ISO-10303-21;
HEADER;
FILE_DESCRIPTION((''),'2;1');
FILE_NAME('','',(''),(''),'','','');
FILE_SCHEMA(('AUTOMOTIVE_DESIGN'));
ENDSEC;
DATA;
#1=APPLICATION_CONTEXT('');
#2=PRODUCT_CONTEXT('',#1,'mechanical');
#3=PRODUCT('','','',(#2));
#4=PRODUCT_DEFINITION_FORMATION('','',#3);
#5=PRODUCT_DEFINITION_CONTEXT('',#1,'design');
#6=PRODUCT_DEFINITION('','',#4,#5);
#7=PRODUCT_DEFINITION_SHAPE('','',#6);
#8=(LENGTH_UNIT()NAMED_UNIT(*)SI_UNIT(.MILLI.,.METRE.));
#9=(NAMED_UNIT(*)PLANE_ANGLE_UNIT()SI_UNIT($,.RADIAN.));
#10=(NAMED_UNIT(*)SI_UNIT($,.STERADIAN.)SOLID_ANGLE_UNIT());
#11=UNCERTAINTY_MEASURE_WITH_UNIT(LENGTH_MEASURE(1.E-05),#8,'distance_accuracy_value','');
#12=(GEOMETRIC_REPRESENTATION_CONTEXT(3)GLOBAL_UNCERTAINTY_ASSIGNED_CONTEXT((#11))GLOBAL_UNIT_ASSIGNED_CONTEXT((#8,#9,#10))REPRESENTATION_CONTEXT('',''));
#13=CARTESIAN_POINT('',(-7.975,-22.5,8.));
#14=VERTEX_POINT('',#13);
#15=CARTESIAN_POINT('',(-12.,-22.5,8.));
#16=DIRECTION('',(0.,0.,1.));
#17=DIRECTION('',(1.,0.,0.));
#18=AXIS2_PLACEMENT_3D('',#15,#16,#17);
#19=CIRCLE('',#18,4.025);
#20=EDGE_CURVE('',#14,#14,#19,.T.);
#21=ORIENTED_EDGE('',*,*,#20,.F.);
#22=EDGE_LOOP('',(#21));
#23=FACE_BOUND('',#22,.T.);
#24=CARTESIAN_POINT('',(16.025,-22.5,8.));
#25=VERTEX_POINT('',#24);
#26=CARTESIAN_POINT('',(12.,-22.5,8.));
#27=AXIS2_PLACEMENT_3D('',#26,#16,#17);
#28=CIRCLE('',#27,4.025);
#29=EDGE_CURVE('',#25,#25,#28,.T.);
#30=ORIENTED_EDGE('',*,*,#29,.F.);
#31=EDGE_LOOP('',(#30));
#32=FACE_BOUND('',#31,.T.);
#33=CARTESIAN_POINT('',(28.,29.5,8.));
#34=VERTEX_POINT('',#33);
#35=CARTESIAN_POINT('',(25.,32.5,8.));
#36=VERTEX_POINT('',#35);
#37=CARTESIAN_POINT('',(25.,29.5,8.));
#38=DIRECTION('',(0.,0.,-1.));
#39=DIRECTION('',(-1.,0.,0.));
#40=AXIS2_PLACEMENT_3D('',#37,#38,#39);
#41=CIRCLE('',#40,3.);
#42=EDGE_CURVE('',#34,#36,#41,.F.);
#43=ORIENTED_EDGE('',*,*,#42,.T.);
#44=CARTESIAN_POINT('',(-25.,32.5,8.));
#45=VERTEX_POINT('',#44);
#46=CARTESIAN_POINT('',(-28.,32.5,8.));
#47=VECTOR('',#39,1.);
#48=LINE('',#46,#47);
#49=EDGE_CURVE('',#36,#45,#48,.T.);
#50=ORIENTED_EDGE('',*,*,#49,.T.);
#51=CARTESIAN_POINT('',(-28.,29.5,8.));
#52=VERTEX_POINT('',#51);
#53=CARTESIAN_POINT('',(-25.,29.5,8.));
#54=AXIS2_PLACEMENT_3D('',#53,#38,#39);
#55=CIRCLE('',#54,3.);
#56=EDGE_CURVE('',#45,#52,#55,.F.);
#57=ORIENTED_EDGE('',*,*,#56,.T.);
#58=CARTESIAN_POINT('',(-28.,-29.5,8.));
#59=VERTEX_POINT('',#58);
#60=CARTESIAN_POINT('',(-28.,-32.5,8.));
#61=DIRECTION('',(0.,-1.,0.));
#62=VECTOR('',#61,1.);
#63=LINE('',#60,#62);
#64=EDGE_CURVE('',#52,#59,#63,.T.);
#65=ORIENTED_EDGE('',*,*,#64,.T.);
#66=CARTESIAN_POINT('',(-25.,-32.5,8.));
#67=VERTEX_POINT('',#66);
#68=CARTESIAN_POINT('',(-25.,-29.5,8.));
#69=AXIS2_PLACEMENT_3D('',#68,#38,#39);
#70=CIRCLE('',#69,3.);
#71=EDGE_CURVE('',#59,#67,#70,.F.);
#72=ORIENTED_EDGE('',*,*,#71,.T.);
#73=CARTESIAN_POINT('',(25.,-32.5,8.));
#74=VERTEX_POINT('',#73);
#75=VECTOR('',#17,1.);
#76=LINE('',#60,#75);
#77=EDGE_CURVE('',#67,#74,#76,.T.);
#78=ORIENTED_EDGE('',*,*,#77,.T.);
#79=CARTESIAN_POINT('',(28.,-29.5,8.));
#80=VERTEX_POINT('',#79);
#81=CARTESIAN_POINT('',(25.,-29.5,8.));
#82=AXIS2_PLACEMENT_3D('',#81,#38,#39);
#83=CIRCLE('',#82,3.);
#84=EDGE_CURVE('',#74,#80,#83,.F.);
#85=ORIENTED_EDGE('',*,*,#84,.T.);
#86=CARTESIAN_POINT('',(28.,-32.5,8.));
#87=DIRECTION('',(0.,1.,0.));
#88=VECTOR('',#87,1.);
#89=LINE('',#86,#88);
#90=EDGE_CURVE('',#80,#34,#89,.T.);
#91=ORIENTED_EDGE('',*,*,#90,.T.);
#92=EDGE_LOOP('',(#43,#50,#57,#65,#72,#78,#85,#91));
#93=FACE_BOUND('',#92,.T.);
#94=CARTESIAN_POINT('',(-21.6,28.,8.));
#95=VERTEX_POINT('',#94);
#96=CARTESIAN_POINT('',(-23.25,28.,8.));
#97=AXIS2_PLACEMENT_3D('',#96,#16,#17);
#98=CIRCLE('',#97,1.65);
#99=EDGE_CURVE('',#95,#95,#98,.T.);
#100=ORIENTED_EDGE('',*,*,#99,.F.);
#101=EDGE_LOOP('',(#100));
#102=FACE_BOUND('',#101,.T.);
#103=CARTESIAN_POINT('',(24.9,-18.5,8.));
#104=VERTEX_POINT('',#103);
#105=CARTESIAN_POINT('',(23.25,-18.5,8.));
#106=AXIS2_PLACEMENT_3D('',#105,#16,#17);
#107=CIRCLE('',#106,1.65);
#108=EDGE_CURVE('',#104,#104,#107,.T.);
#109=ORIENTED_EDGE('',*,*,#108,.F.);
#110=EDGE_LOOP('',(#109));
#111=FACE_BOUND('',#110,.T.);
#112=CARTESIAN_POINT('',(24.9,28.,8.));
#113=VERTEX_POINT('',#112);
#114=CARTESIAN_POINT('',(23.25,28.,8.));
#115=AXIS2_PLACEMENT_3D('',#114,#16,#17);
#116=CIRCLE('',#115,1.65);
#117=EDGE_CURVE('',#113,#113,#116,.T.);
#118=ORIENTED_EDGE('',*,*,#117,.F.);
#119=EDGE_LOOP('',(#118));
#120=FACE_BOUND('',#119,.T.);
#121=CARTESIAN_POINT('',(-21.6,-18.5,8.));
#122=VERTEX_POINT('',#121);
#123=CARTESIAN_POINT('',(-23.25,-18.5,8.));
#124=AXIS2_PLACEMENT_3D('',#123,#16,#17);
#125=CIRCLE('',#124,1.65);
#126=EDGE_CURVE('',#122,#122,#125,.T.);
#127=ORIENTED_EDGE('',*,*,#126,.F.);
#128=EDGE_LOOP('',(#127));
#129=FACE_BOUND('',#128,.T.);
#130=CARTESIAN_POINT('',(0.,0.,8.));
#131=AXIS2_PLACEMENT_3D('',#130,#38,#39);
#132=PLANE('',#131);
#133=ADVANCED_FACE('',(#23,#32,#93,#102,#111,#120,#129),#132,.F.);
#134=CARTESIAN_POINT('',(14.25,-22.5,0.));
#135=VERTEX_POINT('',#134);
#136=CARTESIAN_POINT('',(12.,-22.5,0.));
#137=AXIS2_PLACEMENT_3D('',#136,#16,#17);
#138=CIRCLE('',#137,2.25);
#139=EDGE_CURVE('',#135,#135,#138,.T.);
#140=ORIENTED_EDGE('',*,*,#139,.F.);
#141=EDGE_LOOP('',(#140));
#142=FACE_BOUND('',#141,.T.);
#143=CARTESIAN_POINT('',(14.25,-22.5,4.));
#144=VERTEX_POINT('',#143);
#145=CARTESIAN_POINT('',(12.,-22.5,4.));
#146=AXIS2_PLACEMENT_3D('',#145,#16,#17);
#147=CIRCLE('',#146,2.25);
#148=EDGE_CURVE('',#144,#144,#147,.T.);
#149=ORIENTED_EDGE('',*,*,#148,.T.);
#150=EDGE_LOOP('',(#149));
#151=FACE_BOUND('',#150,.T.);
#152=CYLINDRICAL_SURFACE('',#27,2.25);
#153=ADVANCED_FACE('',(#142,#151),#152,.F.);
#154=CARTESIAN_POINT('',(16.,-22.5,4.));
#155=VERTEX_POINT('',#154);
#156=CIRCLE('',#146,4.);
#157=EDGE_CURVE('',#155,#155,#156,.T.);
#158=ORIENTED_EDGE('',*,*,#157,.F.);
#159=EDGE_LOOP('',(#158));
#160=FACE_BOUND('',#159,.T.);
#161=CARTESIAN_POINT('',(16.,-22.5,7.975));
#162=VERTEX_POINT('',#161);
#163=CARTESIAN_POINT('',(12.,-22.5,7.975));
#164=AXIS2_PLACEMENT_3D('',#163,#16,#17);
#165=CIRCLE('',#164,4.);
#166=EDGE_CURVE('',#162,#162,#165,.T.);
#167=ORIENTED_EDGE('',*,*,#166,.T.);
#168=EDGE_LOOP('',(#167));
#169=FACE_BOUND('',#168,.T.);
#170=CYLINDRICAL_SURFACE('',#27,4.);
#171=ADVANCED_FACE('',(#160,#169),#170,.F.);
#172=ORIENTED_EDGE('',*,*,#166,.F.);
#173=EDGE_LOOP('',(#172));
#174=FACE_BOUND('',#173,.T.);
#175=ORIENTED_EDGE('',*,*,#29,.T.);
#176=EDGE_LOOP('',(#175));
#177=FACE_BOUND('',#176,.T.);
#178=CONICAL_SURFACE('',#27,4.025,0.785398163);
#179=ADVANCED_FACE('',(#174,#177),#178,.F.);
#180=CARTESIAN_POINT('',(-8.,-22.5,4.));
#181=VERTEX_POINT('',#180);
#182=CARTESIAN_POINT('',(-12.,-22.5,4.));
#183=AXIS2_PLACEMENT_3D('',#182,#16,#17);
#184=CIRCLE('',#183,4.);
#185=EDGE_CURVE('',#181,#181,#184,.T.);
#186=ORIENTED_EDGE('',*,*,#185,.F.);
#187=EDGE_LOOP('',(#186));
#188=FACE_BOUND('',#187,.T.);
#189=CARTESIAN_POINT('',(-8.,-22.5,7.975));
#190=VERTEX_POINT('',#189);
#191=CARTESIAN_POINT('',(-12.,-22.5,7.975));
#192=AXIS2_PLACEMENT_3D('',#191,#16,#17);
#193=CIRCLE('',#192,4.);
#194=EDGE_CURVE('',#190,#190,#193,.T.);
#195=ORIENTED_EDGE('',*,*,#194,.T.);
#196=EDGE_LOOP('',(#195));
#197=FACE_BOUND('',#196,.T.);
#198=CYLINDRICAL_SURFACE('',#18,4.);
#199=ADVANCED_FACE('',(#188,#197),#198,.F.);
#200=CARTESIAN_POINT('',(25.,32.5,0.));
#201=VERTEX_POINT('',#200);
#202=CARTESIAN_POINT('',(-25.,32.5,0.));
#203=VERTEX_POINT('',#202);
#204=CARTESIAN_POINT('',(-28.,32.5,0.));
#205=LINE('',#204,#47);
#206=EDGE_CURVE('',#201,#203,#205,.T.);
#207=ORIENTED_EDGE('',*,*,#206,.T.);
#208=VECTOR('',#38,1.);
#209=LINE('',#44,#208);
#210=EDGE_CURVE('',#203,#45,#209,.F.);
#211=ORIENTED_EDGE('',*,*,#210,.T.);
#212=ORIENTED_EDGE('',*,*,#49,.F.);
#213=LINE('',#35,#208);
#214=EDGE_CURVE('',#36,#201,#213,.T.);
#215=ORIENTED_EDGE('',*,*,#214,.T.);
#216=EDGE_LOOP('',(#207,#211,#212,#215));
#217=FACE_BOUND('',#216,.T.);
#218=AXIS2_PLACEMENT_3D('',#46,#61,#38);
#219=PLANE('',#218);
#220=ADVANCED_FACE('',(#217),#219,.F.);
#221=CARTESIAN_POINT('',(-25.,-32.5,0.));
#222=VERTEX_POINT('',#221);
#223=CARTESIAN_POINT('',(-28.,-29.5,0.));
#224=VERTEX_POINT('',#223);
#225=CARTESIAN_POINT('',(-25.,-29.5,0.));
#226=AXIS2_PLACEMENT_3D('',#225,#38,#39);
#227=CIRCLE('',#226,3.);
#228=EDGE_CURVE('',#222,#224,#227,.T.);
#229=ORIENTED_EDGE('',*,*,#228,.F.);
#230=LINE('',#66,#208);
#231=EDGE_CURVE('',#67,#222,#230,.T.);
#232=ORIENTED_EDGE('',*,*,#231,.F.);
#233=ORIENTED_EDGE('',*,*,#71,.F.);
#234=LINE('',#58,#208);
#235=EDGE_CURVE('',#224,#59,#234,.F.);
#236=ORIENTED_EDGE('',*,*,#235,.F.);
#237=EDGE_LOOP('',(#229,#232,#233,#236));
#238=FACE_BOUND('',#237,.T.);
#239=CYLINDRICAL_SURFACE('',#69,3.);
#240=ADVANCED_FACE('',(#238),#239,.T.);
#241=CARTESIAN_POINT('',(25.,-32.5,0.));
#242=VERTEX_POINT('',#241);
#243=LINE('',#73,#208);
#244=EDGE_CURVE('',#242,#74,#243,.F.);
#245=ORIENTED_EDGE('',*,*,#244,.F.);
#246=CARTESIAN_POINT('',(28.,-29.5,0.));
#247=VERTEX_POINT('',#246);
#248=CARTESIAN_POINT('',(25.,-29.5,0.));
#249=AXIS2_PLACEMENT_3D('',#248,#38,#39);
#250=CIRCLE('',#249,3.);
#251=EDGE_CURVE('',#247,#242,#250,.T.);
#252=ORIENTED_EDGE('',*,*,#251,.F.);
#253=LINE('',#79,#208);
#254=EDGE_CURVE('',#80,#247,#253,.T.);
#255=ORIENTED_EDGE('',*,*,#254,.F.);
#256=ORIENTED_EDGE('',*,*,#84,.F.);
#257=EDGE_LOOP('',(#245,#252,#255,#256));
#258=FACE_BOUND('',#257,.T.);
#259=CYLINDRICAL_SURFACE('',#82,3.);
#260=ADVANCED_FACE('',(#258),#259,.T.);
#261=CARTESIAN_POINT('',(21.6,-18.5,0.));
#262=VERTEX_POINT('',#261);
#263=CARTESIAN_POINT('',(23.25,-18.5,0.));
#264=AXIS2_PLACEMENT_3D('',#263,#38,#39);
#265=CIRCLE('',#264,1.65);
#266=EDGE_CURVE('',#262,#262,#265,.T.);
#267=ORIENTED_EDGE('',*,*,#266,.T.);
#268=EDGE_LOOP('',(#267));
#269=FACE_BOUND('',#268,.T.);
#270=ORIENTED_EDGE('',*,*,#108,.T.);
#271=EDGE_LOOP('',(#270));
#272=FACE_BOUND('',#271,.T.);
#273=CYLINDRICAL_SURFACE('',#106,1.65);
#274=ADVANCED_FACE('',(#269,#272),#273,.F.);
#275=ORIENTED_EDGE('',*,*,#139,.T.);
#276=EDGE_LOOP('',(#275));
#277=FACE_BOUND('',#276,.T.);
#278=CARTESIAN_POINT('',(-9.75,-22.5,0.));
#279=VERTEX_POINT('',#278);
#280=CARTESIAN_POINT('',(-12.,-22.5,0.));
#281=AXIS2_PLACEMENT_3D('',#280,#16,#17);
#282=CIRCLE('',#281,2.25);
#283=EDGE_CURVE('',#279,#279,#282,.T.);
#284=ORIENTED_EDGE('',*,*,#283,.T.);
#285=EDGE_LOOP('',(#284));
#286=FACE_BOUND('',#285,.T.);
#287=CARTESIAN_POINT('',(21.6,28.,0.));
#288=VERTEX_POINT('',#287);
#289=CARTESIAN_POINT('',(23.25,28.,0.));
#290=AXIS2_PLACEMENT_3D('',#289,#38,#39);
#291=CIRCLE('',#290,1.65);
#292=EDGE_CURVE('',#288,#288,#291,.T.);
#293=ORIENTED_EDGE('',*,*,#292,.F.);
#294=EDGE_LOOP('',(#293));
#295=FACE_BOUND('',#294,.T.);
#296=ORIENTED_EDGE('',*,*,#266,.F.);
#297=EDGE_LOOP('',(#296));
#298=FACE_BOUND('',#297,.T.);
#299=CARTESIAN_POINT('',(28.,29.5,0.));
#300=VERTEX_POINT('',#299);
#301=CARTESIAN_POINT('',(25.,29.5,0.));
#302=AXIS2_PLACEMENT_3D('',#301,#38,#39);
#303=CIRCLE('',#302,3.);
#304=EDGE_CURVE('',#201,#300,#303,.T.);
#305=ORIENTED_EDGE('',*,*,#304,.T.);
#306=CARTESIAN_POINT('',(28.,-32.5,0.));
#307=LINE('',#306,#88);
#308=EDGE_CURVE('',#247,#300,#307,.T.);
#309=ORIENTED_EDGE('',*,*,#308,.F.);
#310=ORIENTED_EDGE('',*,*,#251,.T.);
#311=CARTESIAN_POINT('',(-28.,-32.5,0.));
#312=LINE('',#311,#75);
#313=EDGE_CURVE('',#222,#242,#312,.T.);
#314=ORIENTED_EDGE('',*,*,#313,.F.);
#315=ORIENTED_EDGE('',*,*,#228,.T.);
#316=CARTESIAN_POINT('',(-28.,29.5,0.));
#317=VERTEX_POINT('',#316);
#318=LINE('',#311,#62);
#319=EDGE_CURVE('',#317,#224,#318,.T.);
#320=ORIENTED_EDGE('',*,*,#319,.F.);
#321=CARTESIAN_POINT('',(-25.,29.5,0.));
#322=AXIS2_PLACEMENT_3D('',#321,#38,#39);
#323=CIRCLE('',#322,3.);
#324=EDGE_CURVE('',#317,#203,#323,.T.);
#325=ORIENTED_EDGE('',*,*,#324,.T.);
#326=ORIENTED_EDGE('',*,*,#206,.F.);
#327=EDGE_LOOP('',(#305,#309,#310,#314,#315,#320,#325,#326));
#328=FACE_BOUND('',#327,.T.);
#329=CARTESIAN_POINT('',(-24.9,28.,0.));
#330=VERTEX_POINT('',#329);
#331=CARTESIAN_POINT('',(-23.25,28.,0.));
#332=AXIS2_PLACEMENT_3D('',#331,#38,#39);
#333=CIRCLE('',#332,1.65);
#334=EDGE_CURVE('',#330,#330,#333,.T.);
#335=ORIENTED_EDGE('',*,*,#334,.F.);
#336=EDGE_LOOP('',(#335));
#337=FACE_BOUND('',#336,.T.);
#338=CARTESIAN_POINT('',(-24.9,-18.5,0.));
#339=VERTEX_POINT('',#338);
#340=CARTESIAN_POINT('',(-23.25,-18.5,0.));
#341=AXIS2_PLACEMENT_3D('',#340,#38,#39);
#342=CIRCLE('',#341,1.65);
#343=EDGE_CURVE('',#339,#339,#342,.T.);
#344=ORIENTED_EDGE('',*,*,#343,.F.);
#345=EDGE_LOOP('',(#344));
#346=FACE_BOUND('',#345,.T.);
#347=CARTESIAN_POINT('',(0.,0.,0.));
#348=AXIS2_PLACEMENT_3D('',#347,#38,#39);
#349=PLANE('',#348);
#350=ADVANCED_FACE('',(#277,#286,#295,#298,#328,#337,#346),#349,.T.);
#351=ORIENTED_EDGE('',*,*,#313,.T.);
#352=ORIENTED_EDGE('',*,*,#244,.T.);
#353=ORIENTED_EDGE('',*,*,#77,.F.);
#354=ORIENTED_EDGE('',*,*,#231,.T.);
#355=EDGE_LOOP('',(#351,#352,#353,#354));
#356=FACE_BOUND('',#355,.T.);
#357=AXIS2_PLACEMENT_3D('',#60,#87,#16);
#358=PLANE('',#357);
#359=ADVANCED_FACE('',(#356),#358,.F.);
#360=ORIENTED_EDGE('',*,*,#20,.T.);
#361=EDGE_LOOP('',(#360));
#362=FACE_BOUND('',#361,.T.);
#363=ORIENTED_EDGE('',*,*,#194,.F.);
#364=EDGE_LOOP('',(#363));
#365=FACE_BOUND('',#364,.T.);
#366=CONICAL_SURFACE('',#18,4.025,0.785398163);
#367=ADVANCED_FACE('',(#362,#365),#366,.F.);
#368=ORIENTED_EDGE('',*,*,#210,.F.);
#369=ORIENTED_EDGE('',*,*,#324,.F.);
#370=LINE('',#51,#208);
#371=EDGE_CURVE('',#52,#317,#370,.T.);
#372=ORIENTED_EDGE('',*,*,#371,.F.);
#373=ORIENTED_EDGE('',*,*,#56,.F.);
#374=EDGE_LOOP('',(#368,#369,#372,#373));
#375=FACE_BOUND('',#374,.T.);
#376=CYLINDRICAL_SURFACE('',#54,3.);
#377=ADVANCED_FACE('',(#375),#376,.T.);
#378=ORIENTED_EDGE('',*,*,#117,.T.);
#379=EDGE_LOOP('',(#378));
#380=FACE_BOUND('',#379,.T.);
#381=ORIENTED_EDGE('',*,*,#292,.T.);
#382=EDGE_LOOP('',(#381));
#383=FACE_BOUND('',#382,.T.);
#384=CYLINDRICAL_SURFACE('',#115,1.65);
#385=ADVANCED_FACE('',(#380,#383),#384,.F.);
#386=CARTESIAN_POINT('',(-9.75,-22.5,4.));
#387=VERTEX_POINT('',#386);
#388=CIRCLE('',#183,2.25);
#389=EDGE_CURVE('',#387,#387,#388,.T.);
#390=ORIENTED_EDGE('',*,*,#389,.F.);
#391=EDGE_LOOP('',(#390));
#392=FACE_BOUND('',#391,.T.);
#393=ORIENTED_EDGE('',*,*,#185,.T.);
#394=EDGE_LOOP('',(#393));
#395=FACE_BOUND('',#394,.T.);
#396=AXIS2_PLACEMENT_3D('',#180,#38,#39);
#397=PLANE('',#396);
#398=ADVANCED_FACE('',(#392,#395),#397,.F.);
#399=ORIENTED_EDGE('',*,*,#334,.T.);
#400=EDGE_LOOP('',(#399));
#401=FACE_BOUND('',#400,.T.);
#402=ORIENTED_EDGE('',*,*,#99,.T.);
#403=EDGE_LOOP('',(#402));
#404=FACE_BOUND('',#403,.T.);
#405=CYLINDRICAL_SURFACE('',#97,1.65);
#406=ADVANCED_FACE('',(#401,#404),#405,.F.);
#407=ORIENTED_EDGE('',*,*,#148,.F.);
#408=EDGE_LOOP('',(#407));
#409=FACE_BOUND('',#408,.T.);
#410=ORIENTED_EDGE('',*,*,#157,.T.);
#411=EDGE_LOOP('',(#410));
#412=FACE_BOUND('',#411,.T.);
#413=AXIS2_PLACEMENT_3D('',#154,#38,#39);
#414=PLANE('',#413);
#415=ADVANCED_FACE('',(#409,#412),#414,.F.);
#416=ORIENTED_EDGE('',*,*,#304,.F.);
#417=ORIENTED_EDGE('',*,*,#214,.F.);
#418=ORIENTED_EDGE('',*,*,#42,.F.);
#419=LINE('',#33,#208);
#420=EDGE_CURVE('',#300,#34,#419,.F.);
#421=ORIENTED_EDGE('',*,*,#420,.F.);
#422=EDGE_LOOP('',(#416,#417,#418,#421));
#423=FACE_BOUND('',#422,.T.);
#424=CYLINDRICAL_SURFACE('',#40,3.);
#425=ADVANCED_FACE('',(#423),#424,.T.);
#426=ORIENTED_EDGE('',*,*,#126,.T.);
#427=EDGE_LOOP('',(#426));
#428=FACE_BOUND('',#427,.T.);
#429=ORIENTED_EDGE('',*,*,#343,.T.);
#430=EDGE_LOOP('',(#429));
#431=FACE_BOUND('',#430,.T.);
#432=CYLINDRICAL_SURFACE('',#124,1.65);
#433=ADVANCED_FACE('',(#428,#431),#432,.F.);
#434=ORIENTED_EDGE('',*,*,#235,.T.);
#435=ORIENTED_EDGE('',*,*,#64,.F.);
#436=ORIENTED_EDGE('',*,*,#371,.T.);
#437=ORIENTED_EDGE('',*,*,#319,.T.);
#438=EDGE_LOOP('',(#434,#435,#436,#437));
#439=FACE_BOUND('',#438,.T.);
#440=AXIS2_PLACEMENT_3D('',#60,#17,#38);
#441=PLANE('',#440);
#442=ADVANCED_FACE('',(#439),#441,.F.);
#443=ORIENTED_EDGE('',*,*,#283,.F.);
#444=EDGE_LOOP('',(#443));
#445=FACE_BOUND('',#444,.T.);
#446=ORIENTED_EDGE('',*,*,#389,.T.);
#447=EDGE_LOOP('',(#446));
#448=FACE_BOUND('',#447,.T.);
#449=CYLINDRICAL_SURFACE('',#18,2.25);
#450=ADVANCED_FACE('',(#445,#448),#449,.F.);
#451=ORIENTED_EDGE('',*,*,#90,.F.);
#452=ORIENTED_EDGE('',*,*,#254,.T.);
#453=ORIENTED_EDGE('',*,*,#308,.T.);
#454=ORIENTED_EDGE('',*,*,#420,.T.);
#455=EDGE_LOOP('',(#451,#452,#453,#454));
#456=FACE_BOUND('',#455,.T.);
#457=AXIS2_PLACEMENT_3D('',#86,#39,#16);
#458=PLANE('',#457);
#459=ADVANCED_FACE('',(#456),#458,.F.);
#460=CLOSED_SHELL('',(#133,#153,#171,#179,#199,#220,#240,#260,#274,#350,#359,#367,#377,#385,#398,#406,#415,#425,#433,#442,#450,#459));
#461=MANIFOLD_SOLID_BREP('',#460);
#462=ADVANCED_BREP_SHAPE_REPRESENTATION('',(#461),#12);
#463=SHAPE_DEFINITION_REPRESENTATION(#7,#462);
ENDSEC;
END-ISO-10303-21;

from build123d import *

# Parameters (mm, degrees)
SKETCH1_W                     = 56
SKETCH1_H                     = 65
BOSS_EXTRUDE1_DEPTH           = 8
FILLET1_R                     = 3
CBORE_FOR_M4_SHCS1_AT_2_COUNT = 2
CBORE_FOR_M4_SHCS1_AT_2_PITCH = 24
M4X0_7_TAPPED_HOLE1_D         = 3.3
M4X0_7_TAPPED_HOLE1_DEPTH     = 10.1
M4X0_7_TAPPED_HOLE1_TIP       = 0.991420021


with BuildPart() as part:
    # Sketch1 → Boss-Extrude1 (new body)
    with BuildSketch(Plane.XY):
        Rectangle(SKETCH1_W, SKETCH1_H)
    extrude(amount=BOSS_EXTRUDE1_DEPTH)

    # Fillet1
    fillet1_edges = [part.edges().sort_by_distance(p)[0] for p in [
        (28, -32.5, 4),
        (-28, -32.5, 4),
        (-28, 32.5, 4),
        (28, 32.5, 4),
    ]]
    fillet(fillet1_edges, radius=FILLET1_R)

    # Sketch3 → CBORE for M4 SHCS1 (revolve, cut)
    with BuildSketch(Plane(origin=(-12, -22.5, 8), x_dir=(0, -1, 0), z_dir=(1, 0, 0))):
        Polygon((0, 0), (0, 8), (2.25, 8), (2.25, 4), (4, 4), (4, 0.025), (4.025, 0), align=None)
    cbore_for_m4_shcs1 = revolve(axis=Axis((-12, -22.5, 14.35), (0, 0, -1)), mode=Mode.SUBTRACT)

    # CBORE for M4 SHCS1 at 2: CBORE for M4 SHCS1 ×2
    with Locations(*[(i * CBORE_FOR_M4_SHCS1_AT_2_PITCH, 0, 0) for i in range(1, CBORE_FOR_M4_SHCS1_AT_2_COUNT)]):
        add(cbore_for_m4_shcs1, mode=Mode.SUBTRACT)

    # M4x0.7 Tapped Hole1
    with Locations(Plane.XY.offset(8)):
        with Locations((-23.25, -18.5), (23.25, -18.5), (23.25, 28), (-23.25, 28)):
            Hole(M4X0_7_TAPPED_HOLE1_D / 2, depth=M4X0_7_TAPPED_HOLE1_DEPTH)
            with Locations((0, 0, -(M4X0_7_TAPPED_HOLE1_DEPTH + M4X0_7_TAPPED_HOLE1_TIP / 2))):  # 118° drill point
                Cone(0, M4X0_7_TAPPED_HOLE1_D / 2, M4X0_7_TAPPED_HOLE1_TIP, mode=Mode.SUBTRACT)


solid = part.part
